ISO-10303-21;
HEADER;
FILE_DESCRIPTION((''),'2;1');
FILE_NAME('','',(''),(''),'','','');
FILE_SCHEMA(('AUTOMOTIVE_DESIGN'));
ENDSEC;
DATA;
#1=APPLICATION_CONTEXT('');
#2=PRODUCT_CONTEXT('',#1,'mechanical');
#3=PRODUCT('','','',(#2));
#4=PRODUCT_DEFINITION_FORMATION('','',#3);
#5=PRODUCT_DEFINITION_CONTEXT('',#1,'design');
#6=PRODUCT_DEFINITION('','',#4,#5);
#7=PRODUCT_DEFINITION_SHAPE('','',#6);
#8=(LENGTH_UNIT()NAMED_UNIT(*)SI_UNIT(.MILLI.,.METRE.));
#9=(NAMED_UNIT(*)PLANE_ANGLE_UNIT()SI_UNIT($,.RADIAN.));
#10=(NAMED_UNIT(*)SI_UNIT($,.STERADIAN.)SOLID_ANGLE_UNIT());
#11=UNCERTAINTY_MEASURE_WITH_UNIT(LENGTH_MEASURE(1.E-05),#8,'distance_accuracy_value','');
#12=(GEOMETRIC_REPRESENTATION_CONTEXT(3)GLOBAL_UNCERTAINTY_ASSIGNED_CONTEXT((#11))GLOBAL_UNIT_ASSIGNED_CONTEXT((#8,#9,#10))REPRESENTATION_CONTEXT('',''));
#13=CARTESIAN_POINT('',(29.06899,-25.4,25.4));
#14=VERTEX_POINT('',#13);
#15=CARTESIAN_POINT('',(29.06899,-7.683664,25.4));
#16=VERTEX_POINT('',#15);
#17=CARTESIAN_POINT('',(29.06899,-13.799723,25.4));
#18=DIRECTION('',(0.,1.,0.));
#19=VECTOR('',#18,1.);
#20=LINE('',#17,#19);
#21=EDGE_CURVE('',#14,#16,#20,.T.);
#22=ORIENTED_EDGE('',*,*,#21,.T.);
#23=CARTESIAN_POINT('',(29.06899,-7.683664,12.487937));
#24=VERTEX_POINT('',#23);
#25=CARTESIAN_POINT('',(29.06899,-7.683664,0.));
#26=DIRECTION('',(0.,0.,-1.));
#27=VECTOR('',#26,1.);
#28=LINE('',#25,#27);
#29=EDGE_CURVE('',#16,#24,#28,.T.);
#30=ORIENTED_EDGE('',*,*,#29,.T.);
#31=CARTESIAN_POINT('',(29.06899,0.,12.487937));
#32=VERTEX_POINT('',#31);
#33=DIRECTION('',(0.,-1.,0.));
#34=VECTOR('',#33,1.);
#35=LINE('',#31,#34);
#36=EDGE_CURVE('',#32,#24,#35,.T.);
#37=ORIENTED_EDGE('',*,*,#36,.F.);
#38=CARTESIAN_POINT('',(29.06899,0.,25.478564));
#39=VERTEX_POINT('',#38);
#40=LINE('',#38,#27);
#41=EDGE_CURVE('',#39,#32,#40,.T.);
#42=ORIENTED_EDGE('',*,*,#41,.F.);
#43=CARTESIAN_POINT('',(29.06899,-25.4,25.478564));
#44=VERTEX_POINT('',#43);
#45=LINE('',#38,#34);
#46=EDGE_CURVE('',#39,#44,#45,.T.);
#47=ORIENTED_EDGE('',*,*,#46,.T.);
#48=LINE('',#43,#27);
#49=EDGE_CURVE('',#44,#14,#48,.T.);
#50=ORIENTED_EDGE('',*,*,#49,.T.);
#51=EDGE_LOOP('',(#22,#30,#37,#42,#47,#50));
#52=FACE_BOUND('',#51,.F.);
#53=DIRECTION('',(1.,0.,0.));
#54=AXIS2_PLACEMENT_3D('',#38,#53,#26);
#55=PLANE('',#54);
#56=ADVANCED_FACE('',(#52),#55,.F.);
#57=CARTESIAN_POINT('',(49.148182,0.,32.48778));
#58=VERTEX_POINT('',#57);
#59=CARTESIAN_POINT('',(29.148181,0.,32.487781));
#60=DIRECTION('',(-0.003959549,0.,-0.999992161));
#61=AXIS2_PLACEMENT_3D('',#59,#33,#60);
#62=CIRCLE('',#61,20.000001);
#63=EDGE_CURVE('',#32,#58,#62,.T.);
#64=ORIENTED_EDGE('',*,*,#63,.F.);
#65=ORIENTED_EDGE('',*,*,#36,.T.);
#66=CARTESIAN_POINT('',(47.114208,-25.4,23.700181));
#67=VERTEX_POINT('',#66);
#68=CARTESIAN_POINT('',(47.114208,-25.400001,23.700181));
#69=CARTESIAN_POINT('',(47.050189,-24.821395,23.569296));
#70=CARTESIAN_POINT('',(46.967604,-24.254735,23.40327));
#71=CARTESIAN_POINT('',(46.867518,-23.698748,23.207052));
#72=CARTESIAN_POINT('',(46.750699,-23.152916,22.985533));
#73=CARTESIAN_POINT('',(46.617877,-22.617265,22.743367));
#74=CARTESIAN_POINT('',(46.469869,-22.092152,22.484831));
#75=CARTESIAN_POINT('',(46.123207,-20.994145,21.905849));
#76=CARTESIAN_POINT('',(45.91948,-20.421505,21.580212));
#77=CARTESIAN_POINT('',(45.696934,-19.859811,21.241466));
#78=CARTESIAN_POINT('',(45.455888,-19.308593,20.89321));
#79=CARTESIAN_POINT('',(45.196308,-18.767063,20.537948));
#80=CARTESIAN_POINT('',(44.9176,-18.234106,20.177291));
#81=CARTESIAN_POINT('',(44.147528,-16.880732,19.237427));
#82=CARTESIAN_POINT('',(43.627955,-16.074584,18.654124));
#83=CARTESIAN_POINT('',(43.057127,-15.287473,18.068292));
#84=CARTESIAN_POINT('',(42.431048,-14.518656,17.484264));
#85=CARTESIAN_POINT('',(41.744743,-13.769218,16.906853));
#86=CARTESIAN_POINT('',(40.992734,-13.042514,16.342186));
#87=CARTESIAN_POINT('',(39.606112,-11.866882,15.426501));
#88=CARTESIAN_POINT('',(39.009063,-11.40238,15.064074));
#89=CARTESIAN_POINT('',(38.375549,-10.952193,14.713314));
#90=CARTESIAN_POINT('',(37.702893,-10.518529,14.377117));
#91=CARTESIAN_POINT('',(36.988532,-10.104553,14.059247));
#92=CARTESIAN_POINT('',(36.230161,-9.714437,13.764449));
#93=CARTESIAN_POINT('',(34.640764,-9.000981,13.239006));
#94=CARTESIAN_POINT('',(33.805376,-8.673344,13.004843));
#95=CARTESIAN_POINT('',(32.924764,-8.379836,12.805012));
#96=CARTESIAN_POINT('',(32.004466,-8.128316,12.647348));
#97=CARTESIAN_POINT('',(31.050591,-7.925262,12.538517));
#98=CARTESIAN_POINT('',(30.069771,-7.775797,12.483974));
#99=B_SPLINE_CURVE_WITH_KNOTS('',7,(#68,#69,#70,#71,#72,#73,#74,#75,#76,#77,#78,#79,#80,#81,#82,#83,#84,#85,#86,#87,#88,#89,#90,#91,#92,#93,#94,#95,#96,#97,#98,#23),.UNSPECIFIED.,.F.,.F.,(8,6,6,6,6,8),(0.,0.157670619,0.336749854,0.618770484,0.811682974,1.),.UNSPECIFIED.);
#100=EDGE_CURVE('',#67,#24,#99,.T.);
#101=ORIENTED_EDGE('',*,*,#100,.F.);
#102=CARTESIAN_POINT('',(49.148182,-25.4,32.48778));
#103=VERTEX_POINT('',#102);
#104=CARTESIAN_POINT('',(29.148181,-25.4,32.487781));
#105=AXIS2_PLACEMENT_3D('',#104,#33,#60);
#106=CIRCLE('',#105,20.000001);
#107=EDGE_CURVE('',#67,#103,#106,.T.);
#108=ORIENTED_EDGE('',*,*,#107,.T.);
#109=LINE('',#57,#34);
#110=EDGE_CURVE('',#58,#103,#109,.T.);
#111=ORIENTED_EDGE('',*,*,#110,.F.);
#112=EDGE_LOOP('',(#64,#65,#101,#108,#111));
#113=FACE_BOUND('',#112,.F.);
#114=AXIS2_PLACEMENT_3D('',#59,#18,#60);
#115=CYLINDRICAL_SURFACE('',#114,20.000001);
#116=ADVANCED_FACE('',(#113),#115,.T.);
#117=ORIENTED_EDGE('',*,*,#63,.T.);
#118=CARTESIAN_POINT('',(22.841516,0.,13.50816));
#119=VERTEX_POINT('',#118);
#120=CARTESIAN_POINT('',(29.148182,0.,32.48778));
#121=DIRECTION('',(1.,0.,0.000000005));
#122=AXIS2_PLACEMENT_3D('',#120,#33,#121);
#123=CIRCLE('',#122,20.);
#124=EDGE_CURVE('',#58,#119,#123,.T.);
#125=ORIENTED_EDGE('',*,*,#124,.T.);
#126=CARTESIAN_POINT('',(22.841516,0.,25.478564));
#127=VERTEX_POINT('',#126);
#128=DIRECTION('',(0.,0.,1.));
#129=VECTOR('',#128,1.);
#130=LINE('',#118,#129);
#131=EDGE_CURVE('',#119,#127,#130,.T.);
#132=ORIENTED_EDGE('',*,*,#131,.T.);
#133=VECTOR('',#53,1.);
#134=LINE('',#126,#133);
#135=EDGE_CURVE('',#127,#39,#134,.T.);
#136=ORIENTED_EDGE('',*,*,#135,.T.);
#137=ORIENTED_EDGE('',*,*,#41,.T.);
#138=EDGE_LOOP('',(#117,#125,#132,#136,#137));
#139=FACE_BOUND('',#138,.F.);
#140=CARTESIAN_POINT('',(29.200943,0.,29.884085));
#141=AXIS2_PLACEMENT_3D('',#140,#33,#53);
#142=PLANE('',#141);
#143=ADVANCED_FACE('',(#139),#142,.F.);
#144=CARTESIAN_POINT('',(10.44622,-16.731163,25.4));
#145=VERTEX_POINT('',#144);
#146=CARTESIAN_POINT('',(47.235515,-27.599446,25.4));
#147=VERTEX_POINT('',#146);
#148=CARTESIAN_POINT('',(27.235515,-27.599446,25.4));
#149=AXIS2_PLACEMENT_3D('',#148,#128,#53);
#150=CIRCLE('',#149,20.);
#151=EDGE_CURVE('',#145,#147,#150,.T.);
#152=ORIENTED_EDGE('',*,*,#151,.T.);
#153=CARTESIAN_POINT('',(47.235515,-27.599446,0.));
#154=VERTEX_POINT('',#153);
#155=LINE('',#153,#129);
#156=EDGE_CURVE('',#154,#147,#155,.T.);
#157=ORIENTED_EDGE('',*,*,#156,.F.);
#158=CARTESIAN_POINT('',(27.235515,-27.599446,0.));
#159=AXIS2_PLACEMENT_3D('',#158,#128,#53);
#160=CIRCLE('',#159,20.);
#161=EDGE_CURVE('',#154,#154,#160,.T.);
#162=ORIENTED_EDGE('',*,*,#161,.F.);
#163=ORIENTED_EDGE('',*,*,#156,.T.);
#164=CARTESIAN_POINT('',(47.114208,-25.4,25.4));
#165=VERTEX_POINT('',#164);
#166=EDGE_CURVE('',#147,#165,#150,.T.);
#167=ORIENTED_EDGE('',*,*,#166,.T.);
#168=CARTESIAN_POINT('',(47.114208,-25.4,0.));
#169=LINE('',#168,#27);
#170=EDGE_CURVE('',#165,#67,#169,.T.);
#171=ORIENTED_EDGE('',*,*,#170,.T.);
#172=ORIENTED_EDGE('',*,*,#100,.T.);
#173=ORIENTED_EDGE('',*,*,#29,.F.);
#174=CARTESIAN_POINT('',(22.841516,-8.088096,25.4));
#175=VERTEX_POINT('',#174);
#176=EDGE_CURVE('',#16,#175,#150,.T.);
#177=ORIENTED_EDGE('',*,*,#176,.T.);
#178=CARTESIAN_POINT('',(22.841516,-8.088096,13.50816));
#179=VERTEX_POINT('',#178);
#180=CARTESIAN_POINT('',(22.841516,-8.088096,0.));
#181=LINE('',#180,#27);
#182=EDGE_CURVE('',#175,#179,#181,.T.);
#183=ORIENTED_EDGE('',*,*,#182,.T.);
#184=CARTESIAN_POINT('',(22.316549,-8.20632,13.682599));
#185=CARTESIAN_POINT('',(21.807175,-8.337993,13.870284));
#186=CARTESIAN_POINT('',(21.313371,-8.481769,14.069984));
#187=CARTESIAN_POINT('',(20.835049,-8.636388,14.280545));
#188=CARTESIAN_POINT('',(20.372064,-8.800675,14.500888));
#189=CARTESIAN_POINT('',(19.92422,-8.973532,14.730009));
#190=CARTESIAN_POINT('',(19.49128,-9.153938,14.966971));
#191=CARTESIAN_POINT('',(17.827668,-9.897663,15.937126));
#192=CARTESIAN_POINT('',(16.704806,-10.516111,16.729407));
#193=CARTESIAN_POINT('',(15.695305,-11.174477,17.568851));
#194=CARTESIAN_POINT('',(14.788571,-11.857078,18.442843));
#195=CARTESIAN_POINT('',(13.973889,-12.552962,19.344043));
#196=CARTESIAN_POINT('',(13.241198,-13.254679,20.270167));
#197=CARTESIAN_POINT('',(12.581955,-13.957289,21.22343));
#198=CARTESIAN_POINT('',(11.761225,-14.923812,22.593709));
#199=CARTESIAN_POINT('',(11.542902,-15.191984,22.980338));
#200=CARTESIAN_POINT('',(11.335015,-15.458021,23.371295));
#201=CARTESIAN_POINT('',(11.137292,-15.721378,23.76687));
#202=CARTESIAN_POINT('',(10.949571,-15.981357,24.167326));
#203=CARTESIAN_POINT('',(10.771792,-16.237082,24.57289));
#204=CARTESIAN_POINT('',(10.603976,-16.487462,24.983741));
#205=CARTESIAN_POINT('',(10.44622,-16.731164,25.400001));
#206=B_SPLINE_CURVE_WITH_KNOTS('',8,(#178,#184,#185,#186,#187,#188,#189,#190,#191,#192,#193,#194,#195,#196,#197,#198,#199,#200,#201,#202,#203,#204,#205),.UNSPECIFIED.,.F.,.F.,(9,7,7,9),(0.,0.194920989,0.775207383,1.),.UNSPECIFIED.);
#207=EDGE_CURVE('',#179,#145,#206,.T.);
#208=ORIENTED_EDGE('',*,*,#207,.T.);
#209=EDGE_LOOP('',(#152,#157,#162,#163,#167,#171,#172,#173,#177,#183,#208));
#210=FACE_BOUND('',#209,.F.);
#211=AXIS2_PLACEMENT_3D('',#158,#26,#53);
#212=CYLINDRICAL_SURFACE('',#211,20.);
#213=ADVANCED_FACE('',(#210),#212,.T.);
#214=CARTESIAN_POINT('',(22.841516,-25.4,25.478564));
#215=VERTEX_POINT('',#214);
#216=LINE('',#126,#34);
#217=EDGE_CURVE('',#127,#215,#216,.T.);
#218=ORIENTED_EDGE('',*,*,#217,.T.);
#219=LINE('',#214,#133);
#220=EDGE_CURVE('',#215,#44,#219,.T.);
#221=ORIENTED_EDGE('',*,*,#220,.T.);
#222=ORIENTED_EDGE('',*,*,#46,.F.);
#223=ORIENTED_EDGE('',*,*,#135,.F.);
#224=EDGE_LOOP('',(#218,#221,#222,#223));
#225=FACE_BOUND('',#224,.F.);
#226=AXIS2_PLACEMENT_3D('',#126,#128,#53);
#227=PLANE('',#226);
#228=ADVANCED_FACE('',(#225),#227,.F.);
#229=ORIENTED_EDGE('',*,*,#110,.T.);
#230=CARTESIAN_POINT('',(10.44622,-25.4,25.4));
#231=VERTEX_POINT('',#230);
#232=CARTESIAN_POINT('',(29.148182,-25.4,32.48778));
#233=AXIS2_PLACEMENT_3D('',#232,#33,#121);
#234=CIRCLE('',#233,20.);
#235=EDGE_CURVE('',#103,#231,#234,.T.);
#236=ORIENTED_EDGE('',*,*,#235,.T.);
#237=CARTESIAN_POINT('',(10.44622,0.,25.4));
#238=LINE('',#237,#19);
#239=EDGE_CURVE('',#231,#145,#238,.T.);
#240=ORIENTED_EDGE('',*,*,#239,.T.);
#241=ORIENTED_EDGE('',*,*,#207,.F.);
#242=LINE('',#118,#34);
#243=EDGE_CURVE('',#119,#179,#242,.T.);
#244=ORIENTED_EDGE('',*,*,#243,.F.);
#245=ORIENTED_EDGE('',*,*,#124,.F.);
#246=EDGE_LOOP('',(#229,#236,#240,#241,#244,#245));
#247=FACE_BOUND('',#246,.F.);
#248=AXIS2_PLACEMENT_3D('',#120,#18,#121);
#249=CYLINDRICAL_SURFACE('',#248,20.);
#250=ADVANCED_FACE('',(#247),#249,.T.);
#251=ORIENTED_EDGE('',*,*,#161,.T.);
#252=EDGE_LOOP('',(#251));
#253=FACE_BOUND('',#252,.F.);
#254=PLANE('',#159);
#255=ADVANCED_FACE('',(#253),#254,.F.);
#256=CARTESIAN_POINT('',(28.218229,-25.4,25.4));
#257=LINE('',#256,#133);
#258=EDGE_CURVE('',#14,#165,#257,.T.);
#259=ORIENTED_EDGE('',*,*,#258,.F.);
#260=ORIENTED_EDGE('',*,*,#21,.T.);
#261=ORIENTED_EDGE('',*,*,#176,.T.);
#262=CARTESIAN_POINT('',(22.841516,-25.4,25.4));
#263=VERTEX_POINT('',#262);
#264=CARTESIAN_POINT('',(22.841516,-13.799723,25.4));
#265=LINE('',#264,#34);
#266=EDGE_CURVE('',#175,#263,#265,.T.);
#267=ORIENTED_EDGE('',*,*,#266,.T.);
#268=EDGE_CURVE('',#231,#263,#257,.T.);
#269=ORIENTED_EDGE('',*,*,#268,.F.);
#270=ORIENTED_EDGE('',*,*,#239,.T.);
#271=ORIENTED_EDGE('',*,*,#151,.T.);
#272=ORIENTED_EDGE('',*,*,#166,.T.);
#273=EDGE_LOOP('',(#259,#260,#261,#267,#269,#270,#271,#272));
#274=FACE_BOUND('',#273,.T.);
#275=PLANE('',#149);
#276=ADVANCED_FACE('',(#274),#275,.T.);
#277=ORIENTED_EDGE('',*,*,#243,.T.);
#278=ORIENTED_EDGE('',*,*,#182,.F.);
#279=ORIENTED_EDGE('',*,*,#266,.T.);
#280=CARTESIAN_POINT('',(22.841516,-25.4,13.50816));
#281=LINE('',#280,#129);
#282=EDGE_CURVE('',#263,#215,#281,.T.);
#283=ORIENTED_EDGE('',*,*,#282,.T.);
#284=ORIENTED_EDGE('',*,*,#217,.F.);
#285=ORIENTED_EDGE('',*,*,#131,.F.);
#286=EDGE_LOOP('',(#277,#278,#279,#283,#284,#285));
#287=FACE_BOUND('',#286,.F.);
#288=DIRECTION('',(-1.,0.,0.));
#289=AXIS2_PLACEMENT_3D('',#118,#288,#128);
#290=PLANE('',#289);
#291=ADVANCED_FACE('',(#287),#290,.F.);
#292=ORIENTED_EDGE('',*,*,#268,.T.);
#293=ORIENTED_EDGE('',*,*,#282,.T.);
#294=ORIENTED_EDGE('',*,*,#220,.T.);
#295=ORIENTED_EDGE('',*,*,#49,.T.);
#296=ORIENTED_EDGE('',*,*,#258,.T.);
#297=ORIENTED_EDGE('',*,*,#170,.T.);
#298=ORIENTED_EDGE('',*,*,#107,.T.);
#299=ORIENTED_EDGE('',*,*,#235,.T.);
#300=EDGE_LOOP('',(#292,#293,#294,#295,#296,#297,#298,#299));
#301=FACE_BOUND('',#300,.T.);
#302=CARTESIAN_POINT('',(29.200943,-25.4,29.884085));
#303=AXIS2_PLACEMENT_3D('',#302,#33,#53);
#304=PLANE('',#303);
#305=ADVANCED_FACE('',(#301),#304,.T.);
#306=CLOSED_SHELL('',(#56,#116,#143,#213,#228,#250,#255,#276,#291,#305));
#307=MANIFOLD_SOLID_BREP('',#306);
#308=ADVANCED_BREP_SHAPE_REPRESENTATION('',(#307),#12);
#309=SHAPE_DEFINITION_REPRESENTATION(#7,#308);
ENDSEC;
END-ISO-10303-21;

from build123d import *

# Parameters (mm, degrees)
F0_R     = 20
F1_DEPTH = 25.4
F3_DEPTH = 25.4


with BuildPart() as f1:
    # F0 (on Top) → F1 (new body)
    with BuildSketch(Plane.XY):
        with Locations((27.235515, -27.599446)):
            Circle(F0_R)
    extrude(amount=F1_DEPTH)

    # F2 (on Front) → F3 (join)
    with BuildSketch(Plane.XZ):
        with BuildLine():
            Line((29.06899, 25.478564), (29.06899, 12.487937))
            ThreePointArc((29.06899, 12.487937), (43.262291, 18.317674), (49.148182, 32.48778))
            ThreePointArc((49.148182, 32.48778), (17.44633, 48.70711), (22.841516, 13.50816))
            Line((22.841516, 13.50816), (22.841516, 25.478564))
            Line((22.841516, 25.478564), (29.06899, 25.478564))
        make_face()
    extrude(amount=F3_DEPTH)


solid = f1.part
